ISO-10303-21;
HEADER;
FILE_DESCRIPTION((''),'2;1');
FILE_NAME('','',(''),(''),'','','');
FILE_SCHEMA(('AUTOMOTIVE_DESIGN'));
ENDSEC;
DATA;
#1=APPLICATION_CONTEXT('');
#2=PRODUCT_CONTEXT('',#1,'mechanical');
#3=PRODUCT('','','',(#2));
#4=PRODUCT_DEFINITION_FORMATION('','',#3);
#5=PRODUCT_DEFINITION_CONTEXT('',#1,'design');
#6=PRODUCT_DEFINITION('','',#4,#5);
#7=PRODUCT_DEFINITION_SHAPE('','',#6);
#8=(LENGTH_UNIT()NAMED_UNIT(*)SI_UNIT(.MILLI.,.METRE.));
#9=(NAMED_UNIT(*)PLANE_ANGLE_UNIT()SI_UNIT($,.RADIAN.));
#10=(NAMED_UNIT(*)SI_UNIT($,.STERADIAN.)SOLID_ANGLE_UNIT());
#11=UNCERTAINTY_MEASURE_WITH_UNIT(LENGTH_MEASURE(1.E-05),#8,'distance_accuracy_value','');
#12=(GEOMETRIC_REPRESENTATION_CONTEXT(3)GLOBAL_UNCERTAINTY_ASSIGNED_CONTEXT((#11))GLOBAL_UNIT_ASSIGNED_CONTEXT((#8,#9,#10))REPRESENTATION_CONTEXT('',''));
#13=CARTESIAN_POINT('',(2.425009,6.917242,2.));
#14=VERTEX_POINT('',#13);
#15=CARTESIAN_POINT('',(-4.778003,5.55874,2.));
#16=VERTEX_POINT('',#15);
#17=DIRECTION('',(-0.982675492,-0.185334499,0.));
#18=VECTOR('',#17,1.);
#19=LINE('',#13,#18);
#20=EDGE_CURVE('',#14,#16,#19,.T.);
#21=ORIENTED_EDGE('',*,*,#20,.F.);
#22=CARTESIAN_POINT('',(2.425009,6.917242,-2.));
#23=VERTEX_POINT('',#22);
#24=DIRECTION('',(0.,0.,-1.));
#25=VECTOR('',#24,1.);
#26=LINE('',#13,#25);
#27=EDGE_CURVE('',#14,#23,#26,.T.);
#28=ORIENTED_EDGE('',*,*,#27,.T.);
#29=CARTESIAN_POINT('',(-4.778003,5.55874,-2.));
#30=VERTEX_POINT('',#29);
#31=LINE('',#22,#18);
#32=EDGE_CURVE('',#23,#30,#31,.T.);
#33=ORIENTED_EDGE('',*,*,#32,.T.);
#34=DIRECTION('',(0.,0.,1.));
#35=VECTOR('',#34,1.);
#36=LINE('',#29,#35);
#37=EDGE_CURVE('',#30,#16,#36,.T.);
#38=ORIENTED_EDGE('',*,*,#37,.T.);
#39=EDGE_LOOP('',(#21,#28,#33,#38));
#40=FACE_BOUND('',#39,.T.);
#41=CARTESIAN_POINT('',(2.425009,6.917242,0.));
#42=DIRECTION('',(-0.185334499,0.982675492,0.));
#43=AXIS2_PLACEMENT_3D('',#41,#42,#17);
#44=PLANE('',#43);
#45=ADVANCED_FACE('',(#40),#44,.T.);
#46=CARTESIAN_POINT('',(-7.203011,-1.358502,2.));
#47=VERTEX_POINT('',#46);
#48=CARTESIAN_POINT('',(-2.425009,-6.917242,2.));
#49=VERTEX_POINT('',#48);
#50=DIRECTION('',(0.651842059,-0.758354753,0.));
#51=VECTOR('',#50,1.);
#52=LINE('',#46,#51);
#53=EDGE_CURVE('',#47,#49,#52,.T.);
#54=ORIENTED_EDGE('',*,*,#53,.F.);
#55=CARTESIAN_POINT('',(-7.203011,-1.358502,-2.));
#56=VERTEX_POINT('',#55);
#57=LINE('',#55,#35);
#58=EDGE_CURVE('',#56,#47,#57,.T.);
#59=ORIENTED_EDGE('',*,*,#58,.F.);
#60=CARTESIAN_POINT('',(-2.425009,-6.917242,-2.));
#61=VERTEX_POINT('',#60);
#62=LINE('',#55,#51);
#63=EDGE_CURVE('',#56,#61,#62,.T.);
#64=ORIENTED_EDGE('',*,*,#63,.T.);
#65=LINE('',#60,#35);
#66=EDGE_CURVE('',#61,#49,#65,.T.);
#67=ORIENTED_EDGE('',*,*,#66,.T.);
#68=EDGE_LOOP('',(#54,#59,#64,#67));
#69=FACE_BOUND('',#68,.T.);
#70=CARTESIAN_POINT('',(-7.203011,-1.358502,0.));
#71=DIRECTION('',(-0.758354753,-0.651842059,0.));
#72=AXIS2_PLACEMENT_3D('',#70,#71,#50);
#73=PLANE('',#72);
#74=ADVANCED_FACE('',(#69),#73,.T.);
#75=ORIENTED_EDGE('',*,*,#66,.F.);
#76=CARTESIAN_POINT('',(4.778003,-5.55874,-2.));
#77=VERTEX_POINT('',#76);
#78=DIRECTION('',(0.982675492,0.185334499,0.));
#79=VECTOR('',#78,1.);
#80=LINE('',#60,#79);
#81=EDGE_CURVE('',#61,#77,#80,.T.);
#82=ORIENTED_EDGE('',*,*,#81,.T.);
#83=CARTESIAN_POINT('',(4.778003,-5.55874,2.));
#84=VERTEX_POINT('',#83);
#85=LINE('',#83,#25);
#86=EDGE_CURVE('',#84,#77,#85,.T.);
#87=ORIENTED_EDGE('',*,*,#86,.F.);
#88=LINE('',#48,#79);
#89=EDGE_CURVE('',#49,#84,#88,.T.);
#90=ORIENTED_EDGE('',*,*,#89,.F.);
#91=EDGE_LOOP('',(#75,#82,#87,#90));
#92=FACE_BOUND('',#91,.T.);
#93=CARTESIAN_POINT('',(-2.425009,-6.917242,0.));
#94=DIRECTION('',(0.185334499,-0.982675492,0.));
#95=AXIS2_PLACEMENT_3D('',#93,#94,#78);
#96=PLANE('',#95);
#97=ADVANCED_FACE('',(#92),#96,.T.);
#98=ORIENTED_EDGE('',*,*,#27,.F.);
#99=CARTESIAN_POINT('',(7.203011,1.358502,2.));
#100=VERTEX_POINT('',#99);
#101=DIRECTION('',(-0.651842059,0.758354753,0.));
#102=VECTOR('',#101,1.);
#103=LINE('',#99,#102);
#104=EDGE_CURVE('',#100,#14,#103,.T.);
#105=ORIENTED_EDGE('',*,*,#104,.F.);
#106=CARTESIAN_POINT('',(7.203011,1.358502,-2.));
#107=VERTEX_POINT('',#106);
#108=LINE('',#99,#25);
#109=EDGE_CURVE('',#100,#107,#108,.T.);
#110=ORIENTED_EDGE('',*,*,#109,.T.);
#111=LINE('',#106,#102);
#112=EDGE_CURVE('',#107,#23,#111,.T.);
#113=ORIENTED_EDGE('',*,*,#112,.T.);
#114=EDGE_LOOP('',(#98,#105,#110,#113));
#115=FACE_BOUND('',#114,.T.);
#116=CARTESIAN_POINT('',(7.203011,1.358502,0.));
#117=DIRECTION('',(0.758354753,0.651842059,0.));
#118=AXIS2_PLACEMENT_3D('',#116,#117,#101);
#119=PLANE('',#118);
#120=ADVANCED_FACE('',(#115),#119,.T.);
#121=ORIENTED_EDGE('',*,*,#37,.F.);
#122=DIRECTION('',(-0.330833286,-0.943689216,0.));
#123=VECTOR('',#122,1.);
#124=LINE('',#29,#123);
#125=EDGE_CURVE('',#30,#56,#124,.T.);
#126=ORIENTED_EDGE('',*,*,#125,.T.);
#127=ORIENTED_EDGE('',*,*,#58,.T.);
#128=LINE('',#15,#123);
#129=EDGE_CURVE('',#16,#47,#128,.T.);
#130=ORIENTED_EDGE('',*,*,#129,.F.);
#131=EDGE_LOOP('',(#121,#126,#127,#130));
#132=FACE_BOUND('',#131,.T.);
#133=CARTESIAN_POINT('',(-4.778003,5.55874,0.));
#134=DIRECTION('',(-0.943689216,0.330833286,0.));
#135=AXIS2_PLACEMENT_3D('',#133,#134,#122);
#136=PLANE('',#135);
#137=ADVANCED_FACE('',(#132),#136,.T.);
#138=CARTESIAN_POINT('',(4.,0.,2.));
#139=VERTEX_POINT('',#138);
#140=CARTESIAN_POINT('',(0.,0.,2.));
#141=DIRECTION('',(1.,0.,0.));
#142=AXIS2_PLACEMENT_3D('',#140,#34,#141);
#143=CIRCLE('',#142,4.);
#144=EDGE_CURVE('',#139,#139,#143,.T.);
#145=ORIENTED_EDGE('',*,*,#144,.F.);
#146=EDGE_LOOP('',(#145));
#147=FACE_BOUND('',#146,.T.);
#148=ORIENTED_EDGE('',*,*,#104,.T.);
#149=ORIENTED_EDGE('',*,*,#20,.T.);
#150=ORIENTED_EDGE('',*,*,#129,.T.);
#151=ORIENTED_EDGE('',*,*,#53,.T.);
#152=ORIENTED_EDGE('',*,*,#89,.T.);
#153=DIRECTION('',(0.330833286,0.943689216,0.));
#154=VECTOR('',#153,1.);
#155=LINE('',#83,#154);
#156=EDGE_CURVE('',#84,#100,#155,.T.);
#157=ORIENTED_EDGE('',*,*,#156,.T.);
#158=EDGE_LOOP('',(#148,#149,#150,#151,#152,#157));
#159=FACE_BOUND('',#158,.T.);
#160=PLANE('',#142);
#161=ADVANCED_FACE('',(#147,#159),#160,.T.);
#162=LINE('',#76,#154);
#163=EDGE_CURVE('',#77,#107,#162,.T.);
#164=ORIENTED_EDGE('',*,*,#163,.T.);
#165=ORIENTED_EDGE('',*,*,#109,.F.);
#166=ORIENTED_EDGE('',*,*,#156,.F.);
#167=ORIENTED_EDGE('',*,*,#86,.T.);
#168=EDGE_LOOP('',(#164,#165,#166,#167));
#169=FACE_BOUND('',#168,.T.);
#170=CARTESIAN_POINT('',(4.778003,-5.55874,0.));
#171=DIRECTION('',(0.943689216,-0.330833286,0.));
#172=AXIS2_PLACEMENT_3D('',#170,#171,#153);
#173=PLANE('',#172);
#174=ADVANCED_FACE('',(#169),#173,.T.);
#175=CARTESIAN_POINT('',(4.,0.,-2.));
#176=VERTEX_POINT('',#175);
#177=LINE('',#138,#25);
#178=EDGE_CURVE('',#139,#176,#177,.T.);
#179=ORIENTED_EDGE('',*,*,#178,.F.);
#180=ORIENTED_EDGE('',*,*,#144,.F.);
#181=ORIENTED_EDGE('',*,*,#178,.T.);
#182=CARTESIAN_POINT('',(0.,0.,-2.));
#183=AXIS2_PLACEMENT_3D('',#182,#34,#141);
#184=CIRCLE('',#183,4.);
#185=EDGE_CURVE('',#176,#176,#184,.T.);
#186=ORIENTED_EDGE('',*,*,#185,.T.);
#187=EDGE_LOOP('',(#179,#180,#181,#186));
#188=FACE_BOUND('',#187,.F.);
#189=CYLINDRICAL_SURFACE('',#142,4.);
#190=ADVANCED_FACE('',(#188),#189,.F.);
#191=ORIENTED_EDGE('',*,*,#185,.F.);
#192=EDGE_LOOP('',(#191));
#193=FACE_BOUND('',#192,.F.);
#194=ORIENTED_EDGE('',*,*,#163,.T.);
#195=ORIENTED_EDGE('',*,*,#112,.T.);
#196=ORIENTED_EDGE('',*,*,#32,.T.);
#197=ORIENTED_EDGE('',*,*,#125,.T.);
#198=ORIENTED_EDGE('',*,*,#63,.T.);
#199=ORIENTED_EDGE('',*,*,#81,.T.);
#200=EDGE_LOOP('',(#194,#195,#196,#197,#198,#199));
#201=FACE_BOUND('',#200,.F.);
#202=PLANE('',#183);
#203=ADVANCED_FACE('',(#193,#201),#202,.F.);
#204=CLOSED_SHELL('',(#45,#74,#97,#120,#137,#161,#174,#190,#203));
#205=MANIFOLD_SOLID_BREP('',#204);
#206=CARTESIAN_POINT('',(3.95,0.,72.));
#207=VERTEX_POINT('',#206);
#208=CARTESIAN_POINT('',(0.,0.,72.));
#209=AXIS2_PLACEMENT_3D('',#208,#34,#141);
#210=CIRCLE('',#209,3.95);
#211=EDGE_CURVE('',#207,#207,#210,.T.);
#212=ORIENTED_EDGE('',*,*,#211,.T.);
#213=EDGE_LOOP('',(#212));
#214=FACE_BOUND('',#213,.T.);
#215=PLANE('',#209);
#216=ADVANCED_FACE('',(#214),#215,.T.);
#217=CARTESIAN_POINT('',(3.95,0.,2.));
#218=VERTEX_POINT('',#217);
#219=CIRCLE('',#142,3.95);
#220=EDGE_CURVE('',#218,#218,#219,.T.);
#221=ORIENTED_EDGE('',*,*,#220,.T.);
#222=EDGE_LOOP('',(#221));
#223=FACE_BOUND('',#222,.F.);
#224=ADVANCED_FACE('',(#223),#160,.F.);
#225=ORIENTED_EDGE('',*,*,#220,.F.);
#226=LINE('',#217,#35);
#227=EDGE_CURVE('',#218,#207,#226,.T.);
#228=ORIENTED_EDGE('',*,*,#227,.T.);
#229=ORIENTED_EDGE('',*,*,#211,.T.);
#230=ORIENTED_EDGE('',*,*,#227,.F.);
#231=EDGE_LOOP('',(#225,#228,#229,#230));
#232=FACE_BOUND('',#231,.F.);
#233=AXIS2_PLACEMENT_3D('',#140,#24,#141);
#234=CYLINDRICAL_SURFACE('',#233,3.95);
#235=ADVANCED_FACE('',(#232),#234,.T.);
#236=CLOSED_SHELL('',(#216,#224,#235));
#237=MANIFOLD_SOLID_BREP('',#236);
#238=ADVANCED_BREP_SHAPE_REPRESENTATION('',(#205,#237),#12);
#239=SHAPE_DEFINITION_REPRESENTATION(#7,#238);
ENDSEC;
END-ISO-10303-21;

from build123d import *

# Parameters (mm, degrees)
F1_DEPTH = 2
F2_R     = 4
F3_DEPTH = 25
F4_R     = 3.95
F5_DEPTH = 70


with BuildPart() as f1:
    # F0 (on Top) → F1 (new body, symmetric)
    with BuildSketch(Plane.XY):
        Polygon((2.425009, 6.917242), (-4.778003, 5.55874), (-7.203011, -1.358502), (-2.425009, -6.917242), (4.778003, -5.55874), (7.203011, 1.358502), align=None)
    extrude(amount=F1_DEPTH, both=True)

    # F2 (on face) → F3 (cut)
    with BuildSketch(Plane.XY.offset(2)):
        Circle(F2_R)
    extrude(amount=-F3_DEPTH, mode=Mode.SUBTRACT)


with BuildPart() as f5:
    # F4 (on face) → F5 (new body)
    with BuildSketch(Plane.XY.offset(2)):
        Circle(F4_R)
    extrude(amount=F5_DEPTH)


solid = Compound([f1.part, f5.part])
